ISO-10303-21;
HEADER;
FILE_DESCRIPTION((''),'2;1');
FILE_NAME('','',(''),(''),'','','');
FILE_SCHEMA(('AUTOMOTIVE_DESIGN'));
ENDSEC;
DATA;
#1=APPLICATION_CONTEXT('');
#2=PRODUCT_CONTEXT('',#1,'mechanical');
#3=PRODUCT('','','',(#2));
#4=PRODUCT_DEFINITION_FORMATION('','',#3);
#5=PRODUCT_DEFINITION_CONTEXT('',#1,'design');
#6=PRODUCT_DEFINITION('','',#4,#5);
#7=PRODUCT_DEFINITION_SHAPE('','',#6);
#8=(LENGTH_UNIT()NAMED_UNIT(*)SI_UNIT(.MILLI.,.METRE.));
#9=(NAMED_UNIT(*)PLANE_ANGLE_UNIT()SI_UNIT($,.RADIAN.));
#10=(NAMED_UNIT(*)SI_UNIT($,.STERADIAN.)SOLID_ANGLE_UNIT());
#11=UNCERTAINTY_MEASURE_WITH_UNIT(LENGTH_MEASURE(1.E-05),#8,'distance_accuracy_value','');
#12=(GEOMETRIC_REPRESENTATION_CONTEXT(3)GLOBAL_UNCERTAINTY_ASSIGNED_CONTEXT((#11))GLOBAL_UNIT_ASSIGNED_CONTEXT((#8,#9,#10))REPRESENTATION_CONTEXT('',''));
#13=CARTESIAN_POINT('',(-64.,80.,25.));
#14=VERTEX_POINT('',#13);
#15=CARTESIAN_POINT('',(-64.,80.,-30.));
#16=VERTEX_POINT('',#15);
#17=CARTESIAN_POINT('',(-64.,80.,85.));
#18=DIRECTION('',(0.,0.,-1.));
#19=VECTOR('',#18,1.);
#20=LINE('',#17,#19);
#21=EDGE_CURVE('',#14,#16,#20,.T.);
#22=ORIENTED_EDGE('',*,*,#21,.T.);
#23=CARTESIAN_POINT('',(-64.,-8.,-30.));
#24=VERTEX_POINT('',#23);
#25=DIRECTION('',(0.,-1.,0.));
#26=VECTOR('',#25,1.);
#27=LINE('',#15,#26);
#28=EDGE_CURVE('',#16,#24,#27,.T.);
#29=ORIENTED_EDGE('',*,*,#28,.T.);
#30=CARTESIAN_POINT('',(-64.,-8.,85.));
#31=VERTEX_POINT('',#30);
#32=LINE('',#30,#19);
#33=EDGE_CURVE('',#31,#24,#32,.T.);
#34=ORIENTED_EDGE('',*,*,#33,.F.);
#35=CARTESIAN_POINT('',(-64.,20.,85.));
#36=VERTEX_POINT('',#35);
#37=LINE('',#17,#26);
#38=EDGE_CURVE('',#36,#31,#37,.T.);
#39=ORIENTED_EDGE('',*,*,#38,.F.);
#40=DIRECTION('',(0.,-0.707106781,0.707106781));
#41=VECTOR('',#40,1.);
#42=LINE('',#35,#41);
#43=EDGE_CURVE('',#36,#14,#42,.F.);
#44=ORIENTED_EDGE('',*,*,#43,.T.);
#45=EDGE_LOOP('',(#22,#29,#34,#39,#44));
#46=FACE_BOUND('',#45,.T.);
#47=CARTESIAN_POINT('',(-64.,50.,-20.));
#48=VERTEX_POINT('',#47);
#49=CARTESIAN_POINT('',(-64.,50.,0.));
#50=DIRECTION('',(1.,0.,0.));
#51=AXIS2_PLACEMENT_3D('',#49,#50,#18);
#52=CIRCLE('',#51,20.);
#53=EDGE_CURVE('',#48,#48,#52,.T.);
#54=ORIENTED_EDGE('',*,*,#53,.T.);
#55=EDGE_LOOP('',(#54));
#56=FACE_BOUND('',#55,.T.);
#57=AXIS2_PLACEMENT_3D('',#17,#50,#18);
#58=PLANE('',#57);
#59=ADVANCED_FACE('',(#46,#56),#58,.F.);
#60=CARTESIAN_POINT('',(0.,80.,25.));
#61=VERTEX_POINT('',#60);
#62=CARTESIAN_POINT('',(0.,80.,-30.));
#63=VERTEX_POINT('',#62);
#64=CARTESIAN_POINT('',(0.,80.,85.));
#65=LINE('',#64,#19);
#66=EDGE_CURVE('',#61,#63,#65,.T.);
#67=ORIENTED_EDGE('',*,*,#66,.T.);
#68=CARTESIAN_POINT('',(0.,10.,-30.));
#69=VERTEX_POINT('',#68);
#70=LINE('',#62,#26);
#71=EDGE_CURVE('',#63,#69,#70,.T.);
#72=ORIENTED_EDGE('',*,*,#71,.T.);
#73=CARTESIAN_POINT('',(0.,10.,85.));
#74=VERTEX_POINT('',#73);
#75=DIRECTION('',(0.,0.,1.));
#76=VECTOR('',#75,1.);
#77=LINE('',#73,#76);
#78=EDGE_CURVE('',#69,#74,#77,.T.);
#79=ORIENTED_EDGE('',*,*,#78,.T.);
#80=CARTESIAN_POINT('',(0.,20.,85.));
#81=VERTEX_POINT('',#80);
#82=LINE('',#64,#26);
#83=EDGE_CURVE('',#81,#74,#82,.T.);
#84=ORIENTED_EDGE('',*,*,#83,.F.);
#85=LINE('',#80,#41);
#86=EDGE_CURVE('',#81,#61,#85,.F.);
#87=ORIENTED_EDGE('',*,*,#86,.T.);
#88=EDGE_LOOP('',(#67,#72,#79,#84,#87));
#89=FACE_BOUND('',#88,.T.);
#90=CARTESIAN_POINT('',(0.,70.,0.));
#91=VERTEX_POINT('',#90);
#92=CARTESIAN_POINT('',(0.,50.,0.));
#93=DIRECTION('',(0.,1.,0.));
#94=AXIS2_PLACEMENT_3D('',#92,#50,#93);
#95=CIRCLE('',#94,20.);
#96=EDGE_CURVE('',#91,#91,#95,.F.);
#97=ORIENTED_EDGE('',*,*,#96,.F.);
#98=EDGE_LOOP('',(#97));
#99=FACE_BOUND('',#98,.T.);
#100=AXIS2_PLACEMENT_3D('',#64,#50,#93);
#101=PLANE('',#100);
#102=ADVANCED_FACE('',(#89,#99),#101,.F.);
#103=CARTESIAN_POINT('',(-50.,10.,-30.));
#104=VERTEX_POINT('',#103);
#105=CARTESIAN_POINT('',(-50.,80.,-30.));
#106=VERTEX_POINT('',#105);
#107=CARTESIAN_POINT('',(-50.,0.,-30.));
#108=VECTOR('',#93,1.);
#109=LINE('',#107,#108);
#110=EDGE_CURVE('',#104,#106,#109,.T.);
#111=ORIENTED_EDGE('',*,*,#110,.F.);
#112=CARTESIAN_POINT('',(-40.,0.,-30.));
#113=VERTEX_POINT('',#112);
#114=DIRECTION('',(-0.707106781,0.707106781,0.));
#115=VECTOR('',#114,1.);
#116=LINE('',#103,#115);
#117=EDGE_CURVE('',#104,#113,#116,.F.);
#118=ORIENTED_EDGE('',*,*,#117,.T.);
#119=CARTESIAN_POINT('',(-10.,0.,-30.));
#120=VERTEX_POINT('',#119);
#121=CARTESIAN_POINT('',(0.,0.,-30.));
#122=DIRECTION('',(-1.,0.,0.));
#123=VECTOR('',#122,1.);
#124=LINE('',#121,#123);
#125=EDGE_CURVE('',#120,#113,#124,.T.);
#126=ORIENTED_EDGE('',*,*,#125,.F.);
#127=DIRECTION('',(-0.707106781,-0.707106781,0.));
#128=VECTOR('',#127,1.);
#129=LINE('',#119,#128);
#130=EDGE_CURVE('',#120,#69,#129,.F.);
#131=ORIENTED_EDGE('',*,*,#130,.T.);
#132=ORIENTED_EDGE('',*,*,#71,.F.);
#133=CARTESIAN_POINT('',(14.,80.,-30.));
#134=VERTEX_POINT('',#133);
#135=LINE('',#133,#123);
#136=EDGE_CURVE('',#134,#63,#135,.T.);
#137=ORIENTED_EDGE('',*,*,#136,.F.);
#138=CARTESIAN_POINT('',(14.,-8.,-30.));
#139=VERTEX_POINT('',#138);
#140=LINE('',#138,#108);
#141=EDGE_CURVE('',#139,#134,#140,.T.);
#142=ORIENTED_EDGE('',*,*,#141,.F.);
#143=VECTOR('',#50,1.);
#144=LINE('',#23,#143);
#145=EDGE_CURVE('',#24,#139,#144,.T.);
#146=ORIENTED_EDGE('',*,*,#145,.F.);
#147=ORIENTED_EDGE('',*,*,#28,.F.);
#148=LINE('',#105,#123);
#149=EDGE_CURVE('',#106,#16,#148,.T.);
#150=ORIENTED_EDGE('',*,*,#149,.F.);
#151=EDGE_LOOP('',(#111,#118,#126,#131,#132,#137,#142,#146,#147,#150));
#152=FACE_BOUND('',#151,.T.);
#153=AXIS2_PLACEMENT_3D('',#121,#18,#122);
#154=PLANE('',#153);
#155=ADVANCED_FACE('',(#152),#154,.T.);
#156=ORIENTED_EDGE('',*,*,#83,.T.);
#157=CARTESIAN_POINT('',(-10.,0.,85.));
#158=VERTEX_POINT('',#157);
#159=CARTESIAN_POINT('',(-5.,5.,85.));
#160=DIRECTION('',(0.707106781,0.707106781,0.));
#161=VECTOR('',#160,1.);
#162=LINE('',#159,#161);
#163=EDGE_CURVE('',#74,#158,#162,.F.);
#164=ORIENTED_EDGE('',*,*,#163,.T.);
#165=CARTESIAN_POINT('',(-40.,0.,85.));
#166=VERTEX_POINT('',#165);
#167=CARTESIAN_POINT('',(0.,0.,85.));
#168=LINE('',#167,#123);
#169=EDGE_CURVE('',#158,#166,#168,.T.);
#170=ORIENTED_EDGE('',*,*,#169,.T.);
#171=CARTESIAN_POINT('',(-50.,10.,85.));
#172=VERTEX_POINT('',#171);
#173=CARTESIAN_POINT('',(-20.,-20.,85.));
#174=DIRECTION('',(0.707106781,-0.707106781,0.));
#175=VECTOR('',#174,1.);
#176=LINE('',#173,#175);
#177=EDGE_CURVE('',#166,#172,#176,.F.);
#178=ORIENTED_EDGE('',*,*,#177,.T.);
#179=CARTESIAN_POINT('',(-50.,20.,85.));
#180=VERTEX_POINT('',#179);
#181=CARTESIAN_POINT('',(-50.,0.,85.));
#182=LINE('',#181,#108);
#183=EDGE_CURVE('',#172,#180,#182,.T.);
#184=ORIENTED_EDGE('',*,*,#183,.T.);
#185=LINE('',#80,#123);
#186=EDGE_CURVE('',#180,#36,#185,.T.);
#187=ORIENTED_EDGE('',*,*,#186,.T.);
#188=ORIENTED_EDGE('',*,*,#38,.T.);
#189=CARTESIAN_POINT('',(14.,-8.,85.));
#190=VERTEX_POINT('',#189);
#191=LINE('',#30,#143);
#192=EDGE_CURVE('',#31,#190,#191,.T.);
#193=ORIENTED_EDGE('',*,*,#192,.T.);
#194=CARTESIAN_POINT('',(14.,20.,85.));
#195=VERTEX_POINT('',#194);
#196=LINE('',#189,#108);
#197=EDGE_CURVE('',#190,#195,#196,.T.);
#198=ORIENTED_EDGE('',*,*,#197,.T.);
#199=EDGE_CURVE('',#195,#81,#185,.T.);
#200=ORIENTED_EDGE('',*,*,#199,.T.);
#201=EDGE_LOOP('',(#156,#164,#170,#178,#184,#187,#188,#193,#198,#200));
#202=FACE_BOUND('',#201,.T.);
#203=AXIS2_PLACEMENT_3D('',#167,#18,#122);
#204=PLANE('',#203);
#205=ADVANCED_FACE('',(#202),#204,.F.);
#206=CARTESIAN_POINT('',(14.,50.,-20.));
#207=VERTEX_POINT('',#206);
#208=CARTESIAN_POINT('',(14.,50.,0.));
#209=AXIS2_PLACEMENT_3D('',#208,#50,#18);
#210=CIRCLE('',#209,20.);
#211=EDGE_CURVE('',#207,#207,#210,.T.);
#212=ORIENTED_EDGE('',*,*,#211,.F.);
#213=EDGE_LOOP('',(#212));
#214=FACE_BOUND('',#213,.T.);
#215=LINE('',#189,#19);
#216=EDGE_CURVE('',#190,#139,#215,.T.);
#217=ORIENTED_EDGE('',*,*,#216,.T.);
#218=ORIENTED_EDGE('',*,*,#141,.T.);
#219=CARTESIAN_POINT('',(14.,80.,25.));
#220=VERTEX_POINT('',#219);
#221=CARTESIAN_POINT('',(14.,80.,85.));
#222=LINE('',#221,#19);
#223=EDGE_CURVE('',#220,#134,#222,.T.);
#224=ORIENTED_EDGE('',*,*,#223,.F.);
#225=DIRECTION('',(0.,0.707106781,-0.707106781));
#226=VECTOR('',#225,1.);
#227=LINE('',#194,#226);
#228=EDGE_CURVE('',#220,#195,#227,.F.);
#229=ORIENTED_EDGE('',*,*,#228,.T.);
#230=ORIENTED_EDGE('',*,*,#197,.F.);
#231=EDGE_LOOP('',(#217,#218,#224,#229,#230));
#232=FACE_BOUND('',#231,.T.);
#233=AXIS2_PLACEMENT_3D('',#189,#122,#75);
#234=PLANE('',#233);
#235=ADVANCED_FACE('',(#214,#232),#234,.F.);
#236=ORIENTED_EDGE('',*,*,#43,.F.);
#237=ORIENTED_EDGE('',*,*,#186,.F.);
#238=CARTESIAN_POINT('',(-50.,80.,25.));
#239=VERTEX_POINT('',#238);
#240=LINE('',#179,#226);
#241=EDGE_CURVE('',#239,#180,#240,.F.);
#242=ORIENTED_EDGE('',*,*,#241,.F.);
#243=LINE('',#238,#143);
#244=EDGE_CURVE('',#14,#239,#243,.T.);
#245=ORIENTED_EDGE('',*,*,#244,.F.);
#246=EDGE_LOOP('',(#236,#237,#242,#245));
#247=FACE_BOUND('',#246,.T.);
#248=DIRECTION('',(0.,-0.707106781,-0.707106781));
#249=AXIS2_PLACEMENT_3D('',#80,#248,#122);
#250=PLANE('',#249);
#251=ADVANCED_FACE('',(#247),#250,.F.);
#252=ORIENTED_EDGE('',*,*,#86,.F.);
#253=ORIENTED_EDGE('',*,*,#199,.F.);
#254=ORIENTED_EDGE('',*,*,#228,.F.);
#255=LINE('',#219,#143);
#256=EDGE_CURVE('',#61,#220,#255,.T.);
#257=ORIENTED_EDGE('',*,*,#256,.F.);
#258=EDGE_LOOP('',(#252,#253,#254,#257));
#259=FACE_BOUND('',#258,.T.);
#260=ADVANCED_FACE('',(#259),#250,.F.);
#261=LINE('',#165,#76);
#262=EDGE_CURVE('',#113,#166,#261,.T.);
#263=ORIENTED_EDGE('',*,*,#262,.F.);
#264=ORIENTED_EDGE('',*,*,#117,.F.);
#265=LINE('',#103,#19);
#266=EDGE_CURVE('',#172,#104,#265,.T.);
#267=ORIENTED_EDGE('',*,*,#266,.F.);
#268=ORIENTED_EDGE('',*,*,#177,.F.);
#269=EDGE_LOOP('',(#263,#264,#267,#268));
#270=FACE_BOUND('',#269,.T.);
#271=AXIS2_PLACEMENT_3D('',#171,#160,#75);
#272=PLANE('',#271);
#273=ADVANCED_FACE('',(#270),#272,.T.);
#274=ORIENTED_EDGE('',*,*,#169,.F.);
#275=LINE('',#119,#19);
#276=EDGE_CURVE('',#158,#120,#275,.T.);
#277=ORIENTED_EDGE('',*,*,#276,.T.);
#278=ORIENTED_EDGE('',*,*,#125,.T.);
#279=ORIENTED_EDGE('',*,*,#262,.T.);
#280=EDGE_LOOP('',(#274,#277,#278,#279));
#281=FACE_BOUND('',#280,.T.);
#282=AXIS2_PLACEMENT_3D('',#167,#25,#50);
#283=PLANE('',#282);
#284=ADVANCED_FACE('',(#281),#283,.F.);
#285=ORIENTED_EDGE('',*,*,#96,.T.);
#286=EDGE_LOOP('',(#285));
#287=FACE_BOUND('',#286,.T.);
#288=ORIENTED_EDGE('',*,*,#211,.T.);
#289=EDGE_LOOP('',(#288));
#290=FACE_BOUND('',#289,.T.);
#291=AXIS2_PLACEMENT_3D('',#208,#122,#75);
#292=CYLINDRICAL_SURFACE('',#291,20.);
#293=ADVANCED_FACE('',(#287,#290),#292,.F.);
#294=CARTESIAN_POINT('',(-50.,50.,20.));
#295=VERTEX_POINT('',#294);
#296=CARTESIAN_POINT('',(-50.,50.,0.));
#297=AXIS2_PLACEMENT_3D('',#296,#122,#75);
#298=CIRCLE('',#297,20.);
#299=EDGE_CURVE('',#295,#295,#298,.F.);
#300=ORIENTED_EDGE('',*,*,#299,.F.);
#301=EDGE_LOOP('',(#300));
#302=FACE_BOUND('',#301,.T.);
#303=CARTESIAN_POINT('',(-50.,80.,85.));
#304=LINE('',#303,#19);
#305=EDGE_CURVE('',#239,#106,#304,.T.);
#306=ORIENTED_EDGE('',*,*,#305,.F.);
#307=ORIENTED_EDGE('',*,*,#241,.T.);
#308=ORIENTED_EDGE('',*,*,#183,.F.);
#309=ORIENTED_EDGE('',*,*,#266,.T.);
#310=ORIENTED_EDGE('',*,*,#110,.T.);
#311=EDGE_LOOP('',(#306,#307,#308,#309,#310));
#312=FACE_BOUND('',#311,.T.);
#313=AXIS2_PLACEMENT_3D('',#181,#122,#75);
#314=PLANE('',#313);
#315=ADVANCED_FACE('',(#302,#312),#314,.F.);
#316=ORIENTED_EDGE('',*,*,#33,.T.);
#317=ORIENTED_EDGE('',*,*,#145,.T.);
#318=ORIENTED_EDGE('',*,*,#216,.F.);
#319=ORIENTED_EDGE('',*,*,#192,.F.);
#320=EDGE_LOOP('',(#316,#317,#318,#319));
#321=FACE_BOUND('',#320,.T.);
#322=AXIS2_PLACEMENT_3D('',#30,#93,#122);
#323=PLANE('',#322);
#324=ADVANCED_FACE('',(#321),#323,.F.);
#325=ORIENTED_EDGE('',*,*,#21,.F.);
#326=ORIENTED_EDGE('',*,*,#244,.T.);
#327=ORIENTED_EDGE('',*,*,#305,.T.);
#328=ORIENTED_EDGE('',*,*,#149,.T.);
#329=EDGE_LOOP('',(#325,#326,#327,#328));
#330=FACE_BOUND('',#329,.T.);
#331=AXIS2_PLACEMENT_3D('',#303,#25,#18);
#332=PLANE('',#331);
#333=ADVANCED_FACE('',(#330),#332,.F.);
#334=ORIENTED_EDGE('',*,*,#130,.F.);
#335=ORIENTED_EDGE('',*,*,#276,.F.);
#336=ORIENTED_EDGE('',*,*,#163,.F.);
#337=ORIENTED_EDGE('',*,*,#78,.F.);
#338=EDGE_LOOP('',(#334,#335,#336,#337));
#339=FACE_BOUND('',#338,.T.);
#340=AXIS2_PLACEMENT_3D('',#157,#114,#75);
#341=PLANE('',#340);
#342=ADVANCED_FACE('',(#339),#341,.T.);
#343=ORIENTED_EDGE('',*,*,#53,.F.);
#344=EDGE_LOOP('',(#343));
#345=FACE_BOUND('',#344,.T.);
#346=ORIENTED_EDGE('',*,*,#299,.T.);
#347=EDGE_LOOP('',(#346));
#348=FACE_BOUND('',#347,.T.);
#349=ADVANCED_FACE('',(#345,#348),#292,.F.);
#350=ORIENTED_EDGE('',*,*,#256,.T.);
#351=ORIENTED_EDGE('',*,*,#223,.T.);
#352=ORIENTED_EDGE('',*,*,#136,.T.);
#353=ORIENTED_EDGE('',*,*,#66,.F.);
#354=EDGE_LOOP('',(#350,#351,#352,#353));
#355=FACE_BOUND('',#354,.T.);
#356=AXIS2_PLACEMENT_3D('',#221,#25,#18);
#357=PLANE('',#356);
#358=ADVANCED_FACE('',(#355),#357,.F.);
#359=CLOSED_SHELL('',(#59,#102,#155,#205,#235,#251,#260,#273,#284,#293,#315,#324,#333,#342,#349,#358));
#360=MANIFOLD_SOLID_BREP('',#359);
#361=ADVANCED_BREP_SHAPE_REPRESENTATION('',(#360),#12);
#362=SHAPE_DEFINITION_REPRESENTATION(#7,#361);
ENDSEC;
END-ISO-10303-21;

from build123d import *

# Parameters (mm, degrees)
BOSS_EXTRUDE1_DEPTH      = 85
BOSS_EXTRUDE1_DEPTH_BACK = 30
CUT_EXTRUDE1_DEPTH       = 134.120246394
CUT_EXTRUDE1_DEPTH_BACK  = 134.120246394
SKETCH3_R                = 20
CHAMFER1_SIZE            = 10
CHAMFER2_SIZE            = 60


with BuildPart() as part:
    # Sketch2 → Boss-Extrude1 (new, two sides: drawn at the far end of the back side and taken through both)
    with BuildSketch(Plane.XY.offset(-BOSS_EXTRUDE1_DEPTH_BACK)):
        Polygon((0, 0), (-50, 0), (-50, 80), (-64, 80), (-64, -8), (14, -8), (14, 80), (0, 80), align=None)
    extrude(amount=BOSS_EXTRUDE1_DEPTH + BOSS_EXTRUDE1_DEPTH_BACK)

    # Sketch3 → Cut-Extrude1 (cut, two sides: drawn at the far end of the back side and taken through both)
    with BuildSketch(Plane(origin=(0, 0, 0), x_dir=(0, 0, -1), z_dir=(1, 0, 0)).offset(-CUT_EXTRUDE1_DEPTH_BACK)):
        with Locations(Location((0, 50, 0), (0, 0, 90))):
            Circle(SKETCH3_R)
    extrude(amount=CUT_EXTRUDE1_DEPTH + CUT_EXTRUDE1_DEPTH_BACK, mode=Mode.SUBTRACT)

    # Chamfer1
    chamfer1_edges = [part.edges().sort_by_distance(p)[0] for p in [
        (-50, 0, 27.5),
        (0, 0, 27.5),
    ]]
    chamfer(chamfer1_edges, length=CHAMFER1_SIZE)

    # Chamfer2
    chamfer2_edges = [part.edges().sort_by_distance(p)[0] for p in [
        (-57, 80, 85),
        (7, 80, 85),
    ]]
    chamfer(chamfer2_edges, length=CHAMFER2_SIZE)


solid = part.part
